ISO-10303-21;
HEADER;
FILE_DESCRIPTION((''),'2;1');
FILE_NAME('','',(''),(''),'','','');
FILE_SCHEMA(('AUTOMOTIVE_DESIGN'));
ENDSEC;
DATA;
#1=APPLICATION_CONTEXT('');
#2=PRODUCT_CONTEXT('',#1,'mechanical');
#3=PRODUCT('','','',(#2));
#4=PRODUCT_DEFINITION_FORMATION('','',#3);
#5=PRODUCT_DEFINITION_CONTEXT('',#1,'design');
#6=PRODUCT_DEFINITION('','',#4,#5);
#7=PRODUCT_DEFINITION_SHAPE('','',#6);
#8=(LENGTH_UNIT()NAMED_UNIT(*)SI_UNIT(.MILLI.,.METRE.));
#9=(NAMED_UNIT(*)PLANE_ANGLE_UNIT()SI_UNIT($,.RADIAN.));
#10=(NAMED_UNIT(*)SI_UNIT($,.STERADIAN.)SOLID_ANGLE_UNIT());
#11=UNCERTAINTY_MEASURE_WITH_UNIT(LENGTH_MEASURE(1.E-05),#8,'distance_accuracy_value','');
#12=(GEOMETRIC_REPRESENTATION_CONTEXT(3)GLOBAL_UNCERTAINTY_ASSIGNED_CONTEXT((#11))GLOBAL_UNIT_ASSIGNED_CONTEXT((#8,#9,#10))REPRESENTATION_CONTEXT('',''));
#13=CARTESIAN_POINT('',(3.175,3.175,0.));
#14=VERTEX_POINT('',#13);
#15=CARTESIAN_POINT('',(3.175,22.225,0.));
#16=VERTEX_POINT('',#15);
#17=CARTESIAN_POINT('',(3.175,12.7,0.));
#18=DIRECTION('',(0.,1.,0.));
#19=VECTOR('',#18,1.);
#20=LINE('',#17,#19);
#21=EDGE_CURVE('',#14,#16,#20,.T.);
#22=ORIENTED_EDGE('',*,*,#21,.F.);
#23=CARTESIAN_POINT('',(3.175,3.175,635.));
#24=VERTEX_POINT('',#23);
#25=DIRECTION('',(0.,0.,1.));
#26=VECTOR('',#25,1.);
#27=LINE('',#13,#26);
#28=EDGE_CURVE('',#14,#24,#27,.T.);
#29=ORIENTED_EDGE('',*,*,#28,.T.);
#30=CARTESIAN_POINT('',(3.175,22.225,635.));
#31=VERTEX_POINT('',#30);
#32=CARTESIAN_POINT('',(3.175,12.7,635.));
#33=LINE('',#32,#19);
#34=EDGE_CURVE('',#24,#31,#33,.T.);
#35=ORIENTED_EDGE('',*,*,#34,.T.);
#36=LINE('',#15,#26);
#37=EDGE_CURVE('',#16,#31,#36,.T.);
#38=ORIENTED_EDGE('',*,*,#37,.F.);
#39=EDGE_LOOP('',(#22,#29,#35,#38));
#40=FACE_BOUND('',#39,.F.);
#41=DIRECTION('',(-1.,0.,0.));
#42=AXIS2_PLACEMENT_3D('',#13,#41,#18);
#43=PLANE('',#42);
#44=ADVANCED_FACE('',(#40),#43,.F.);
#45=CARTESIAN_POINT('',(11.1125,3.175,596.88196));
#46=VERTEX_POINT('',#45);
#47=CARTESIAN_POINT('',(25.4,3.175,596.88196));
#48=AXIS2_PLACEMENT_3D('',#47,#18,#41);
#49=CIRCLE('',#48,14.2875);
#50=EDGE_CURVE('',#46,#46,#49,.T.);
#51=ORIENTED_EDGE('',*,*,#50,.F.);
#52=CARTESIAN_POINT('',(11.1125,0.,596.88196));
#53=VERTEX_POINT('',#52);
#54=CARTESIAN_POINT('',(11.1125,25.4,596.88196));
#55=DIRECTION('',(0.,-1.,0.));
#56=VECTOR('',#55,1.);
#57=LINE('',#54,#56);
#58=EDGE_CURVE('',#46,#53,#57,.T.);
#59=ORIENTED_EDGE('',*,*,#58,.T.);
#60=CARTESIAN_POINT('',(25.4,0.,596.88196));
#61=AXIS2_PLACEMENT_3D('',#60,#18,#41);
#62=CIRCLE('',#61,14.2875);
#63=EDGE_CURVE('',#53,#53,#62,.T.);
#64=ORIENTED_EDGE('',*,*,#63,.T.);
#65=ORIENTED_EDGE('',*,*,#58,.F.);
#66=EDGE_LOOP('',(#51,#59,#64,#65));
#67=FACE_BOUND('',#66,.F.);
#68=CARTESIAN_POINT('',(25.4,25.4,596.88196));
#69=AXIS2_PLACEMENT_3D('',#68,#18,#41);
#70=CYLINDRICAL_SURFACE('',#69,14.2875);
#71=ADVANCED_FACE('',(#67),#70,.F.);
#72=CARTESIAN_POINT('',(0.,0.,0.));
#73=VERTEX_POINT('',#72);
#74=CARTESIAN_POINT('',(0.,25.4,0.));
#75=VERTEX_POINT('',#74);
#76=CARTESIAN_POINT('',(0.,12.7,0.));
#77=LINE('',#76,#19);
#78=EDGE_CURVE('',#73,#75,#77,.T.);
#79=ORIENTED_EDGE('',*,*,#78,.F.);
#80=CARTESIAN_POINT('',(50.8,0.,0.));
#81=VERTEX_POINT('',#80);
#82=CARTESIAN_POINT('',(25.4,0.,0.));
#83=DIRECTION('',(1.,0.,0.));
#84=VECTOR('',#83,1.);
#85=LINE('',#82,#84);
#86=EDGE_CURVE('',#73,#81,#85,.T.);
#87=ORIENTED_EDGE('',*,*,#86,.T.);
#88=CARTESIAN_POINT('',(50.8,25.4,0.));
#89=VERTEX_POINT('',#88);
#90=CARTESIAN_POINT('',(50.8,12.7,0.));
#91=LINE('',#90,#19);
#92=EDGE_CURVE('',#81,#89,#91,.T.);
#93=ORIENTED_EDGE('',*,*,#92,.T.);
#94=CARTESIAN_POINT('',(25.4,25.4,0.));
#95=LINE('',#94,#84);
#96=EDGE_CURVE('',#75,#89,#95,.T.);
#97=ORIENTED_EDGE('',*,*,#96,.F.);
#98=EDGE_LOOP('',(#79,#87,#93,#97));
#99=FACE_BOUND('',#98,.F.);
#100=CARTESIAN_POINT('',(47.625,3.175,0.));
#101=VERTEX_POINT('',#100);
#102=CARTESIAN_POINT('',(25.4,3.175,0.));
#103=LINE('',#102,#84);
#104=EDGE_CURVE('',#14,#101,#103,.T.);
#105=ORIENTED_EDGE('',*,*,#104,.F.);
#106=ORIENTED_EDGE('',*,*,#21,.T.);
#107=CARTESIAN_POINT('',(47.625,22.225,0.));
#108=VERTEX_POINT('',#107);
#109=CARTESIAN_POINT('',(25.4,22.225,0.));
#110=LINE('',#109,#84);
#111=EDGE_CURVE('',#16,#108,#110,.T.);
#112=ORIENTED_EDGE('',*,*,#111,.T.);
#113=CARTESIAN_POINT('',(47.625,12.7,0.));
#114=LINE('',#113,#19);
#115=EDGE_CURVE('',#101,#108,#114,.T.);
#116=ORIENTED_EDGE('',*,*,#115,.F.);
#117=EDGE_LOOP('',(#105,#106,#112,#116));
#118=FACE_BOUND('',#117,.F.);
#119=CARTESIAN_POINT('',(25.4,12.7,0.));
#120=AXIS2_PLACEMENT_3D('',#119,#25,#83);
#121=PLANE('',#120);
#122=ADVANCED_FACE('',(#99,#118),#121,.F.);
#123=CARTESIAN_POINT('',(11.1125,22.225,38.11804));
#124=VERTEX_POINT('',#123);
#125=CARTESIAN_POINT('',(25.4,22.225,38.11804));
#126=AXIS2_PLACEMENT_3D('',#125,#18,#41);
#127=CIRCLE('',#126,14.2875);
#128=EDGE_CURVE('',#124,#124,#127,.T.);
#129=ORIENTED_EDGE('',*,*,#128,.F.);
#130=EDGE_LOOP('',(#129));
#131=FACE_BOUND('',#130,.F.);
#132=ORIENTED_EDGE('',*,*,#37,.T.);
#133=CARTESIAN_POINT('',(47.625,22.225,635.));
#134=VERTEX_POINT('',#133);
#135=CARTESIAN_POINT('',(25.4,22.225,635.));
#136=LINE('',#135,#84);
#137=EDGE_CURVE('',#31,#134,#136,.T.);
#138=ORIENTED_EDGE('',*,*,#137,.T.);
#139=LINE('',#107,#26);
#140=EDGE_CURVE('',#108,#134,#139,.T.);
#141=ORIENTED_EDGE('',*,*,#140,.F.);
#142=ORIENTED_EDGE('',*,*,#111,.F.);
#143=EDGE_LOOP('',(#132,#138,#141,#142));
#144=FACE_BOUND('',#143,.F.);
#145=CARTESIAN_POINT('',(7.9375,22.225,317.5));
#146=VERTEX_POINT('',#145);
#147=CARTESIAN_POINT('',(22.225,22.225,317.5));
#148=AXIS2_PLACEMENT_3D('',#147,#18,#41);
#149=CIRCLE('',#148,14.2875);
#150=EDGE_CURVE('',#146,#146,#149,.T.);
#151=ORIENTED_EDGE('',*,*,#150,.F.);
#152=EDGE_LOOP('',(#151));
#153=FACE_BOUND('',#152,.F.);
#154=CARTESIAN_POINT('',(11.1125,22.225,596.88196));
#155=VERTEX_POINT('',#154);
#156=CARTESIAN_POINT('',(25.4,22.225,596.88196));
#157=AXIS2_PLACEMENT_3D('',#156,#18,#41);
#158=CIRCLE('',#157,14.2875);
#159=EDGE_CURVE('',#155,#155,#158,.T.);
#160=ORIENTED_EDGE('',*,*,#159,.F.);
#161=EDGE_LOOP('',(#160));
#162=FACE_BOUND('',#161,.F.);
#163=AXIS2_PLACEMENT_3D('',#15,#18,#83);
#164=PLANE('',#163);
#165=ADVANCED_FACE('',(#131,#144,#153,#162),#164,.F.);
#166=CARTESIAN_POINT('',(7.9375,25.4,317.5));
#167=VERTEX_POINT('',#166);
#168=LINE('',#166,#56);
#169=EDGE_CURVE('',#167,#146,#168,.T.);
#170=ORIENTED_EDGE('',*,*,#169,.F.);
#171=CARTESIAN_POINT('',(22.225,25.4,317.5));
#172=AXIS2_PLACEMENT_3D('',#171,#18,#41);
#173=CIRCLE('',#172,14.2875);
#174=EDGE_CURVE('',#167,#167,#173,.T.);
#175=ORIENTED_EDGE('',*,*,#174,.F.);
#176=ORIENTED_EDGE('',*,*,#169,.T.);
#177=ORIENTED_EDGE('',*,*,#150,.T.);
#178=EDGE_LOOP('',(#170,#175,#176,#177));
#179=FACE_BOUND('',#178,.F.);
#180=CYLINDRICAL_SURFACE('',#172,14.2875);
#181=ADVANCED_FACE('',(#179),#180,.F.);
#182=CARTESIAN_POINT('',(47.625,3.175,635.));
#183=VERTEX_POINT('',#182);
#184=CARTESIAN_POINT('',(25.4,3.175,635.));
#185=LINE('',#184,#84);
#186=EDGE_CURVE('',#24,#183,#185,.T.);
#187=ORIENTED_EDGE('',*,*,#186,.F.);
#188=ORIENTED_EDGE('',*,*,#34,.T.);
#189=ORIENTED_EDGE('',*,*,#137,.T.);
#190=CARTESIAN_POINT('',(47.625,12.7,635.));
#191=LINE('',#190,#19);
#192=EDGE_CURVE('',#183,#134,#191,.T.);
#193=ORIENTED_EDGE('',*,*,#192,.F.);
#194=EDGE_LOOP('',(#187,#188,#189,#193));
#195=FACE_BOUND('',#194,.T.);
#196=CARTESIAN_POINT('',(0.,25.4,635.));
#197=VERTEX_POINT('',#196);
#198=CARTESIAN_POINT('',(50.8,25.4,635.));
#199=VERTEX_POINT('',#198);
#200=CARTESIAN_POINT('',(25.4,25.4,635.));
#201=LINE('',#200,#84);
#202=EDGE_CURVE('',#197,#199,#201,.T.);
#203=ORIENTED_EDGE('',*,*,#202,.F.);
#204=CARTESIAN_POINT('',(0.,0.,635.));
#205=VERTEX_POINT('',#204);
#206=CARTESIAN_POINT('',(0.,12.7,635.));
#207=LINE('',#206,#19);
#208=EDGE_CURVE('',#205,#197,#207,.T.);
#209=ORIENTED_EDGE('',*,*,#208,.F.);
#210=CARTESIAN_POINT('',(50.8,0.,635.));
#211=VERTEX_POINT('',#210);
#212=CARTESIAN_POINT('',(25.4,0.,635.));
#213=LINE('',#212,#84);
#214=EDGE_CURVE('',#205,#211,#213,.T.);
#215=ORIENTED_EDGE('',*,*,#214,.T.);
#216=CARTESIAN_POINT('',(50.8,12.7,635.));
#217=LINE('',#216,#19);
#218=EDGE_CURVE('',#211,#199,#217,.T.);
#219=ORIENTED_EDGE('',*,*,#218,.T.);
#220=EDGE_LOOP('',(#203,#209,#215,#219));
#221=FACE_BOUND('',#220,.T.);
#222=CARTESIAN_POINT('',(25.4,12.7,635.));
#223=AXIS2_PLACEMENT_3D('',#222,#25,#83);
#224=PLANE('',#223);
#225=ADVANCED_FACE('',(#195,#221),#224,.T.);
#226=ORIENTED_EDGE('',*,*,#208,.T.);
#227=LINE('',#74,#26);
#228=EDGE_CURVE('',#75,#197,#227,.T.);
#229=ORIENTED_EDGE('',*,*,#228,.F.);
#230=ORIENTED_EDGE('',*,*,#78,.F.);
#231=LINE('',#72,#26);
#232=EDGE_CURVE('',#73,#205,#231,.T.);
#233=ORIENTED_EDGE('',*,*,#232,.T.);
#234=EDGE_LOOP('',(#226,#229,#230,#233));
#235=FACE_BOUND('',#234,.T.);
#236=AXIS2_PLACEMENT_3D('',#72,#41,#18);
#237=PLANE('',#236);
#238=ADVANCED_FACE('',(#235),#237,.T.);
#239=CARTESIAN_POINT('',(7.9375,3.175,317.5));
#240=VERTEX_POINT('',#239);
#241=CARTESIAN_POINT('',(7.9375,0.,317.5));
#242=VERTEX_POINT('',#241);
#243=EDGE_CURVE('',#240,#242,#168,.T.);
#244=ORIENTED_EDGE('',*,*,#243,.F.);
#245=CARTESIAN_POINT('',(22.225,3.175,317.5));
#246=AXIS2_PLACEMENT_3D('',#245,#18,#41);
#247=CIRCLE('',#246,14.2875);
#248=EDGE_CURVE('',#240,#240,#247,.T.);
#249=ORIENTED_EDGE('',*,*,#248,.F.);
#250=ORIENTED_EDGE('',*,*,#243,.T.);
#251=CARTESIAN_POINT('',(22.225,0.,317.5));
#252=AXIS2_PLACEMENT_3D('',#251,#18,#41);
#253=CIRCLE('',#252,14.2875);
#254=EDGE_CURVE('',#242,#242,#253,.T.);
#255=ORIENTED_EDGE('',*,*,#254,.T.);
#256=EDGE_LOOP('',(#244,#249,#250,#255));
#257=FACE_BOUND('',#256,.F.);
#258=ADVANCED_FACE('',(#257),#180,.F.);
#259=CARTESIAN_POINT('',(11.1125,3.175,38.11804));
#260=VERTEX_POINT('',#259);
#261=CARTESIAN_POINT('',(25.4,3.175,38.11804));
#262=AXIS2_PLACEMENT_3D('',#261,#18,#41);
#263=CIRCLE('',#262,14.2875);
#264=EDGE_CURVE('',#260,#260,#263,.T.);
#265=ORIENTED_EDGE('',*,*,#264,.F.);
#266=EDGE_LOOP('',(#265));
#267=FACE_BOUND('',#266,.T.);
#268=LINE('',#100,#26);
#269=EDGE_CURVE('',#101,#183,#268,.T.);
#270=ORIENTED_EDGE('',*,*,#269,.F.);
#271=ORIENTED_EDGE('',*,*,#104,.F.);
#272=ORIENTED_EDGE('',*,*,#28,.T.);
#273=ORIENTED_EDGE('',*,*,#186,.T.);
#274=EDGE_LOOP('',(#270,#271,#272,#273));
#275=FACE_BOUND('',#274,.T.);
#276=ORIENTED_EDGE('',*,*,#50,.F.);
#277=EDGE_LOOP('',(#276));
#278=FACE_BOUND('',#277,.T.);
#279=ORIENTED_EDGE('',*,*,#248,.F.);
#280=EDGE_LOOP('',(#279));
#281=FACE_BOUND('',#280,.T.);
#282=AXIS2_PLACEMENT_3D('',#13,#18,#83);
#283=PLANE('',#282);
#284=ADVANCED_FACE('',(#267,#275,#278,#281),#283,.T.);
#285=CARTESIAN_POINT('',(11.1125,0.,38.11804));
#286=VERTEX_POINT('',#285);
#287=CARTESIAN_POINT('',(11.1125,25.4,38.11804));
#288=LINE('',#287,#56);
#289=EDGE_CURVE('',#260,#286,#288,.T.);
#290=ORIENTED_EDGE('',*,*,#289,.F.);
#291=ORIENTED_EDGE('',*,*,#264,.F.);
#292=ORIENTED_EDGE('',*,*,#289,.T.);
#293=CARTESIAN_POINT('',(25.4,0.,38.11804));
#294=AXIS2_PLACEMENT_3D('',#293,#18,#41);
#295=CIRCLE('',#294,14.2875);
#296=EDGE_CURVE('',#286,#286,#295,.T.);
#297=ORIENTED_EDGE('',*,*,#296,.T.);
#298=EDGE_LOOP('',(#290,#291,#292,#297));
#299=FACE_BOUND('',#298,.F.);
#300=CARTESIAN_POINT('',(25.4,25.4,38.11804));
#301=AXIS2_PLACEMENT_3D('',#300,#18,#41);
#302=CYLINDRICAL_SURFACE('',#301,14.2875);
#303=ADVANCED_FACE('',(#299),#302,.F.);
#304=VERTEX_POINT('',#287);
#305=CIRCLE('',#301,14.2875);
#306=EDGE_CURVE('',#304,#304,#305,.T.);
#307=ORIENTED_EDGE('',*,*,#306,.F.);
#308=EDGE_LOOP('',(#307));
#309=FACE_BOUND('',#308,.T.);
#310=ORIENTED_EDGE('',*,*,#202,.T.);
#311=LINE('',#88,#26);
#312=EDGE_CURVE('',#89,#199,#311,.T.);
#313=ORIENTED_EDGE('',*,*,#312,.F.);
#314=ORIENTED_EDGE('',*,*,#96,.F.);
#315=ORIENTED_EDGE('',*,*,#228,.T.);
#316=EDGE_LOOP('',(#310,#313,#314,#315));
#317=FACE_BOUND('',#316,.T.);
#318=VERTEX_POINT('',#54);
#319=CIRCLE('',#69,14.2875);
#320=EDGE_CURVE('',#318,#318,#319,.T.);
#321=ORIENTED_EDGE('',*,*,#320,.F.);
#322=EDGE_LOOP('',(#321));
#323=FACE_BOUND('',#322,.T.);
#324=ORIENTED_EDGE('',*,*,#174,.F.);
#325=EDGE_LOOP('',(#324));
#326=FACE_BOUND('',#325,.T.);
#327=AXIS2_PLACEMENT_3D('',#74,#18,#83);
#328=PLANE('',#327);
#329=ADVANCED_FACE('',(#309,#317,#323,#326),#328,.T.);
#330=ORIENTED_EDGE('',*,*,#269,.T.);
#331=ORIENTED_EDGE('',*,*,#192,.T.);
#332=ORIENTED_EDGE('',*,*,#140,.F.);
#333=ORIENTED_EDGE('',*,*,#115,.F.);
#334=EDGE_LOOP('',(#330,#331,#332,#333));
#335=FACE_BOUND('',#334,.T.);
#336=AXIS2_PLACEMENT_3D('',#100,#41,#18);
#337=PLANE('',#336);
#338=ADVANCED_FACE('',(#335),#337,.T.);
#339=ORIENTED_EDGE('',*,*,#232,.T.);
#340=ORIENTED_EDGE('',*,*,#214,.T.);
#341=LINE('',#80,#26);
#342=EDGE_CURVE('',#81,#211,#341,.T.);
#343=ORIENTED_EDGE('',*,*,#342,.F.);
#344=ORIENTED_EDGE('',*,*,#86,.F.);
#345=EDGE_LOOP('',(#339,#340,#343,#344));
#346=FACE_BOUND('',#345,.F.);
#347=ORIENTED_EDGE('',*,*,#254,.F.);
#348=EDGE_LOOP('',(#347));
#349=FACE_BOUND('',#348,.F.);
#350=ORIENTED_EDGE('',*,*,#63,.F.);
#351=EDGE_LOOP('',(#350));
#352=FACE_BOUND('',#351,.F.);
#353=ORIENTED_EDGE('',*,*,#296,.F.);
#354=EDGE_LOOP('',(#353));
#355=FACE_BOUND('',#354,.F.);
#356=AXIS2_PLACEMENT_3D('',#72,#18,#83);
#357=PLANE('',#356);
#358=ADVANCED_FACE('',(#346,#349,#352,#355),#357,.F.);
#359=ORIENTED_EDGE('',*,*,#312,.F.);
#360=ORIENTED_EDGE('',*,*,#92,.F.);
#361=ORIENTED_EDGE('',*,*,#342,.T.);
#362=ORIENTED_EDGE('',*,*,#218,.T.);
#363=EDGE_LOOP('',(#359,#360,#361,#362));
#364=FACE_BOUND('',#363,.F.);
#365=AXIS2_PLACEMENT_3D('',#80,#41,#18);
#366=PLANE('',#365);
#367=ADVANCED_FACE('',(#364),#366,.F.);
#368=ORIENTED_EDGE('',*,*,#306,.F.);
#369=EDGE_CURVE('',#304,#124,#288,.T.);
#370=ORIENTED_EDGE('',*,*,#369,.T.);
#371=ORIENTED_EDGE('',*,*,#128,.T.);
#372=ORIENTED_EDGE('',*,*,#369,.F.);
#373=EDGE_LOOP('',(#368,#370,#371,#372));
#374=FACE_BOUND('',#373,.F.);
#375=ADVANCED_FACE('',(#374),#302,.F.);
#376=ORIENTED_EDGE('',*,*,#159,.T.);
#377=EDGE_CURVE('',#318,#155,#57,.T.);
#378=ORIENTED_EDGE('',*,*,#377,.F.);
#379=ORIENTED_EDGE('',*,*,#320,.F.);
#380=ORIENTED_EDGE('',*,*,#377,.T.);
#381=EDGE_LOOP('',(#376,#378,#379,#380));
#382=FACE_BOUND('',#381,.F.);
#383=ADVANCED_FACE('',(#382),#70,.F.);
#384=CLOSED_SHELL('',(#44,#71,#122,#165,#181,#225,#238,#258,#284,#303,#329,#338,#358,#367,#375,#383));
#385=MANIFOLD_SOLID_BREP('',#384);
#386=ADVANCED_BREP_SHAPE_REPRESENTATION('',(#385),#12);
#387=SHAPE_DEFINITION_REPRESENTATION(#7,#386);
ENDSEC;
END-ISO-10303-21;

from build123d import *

# Parameters (mm, degrees)
F0_W     = 50.8
F0_H     = 25.4
F0_W_2   = 44.45
F0_H_2   = 19.05
F1_DEPTH = 635
F2_R     = 14.2875
F3_DEPTH = 25.401


with BuildPart() as f1:
    # F0 (on Top) → F1 (new body)
    with BuildSketch(Plane.XY):
        with Locations((25.4, 12.7)):
            Rectangle(F0_W, F0_H)
        with Locations((25.4, 12.7)):
            Rectangle(F0_W_2, F0_H_2, mode=Mode.SUBTRACT)
    extrude(amount=F1_DEPTH)

    # F2 (on face) → F3 (cut, through all)
    with BuildSketch(Plane(origin=(0, 25.4, 0), x_dir=(-1, 0, 0), z_dir=(0, 1, 0))):
        with Locations((-25.4, 596.88196)):
            Circle(F2_R)
        with Locations((-22.225, 317.5)):
            Circle(F2_R)
        with Locations((-25.4, 38.11804)):
            Circle(F2_R)
    extrude(amount=-F3_DEPTH, mode=Mode.SUBTRACT)


solid = f1.part
